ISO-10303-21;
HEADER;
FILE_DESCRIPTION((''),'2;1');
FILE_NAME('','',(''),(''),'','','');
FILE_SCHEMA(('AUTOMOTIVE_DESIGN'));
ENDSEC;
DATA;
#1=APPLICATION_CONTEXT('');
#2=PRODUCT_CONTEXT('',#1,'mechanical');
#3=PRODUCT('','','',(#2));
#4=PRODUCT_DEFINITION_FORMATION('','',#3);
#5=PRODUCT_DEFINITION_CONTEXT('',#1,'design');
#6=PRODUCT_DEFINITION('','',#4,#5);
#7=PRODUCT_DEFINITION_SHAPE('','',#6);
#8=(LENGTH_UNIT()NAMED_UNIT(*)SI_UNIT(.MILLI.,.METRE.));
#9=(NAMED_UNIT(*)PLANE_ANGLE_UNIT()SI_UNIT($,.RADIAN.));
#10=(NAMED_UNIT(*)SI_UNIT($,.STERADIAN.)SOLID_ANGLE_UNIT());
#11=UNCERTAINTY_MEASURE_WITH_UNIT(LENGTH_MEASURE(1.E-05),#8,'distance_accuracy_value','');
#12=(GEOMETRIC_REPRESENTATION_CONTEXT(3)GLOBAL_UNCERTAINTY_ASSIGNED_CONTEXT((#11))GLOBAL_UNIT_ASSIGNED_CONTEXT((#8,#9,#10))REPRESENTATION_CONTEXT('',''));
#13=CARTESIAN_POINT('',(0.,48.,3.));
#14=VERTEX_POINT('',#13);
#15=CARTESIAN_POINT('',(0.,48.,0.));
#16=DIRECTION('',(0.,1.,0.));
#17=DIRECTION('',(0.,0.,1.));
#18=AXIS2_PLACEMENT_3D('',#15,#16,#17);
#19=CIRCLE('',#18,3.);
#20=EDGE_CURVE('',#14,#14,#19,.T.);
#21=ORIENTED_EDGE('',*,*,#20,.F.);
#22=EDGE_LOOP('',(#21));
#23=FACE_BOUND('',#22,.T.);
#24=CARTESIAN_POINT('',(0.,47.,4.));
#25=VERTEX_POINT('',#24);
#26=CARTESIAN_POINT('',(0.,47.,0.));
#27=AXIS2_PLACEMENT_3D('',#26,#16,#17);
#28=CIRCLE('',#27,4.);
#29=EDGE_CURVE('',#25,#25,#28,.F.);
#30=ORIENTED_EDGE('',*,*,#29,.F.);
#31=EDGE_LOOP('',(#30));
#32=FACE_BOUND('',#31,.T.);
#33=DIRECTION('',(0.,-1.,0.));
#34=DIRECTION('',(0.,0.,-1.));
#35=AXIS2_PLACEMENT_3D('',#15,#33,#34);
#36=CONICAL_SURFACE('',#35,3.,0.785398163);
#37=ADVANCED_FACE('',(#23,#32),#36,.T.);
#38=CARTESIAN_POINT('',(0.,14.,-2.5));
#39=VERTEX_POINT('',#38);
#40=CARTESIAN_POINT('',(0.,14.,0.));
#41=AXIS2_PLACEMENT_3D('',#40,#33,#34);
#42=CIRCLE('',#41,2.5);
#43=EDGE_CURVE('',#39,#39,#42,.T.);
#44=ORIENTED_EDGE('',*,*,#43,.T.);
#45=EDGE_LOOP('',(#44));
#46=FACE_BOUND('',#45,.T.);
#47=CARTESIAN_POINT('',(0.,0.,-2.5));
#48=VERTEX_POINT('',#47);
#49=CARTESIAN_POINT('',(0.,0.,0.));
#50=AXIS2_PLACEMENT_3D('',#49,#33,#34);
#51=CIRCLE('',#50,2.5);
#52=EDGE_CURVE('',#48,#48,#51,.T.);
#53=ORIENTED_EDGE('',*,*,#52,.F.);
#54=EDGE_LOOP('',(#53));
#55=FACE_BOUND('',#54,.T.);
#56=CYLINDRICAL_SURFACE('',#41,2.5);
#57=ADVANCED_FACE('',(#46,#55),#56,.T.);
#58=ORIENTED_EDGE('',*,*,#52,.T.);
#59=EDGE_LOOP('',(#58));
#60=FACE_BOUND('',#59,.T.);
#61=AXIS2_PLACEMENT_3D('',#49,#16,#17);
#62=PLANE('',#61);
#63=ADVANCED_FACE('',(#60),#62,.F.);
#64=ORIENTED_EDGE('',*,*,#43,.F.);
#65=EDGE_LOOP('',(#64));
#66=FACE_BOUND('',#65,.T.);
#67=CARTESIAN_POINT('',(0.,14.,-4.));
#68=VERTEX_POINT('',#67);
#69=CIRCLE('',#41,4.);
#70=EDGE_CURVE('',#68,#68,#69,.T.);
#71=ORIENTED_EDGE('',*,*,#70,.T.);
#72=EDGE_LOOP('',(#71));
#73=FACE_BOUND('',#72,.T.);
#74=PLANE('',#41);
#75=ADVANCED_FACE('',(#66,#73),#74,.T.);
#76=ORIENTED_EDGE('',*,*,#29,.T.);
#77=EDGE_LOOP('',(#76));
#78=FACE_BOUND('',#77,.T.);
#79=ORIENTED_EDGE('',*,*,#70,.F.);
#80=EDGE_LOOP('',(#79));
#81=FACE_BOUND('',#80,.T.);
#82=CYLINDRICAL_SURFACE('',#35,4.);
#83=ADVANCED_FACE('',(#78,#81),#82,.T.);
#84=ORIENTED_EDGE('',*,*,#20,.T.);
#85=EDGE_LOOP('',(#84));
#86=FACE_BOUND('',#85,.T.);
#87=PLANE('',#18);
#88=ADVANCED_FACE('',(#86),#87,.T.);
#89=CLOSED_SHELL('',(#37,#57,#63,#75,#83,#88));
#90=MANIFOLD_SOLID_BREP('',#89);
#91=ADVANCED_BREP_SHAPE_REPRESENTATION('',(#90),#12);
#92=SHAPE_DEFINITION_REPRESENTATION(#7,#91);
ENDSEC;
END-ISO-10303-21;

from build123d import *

# Parameters (mm, degrees)
SKETCH1_R           = 4
BOSS_EXTRUDE1_DEPTH = 48
SKETCH2_R           = 4
SKETCH2_R_2         = 2.5
CUT_EXTRUDE1_DEPTH  = 14
CHAMFER1_SIZE       = 1


with BuildPart() as part:
    # Sketch1 → Boss-Extrude1 (new body)
    with BuildSketch(Plane(origin=(0, 0, 0), x_dir=(1, 0, 0), z_dir=(0, 1, 0))):
        with Locations(Location((0, 0, 0), (0, 0, 270))):
            Circle(SKETCH1_R)
    extrude(amount=BOSS_EXTRUDE1_DEPTH)

    # Sketch2 → Cut-Extrude1 (cut)
    with BuildSketch(Plane.XZ):
        with Locations(Location((0, 0, 0), (0, 0, 270))):
            Circle(SKETCH2_R)
        with Locations(Location((0, 0, 0), (0, 0, 270))):
            Circle(SKETCH2_R_2, mode=Mode.SUBTRACT)
    extrude(amount=-CUT_EXTRUDE1_DEPTH, mode=Mode.SUBTRACT)

    # Chamfer1
    chamfer1_edges = [part.edges().sort_by_distance(p)[0] for p in [
        (0, 48, -4),
    ]]
    chamfer(chamfer1_edges, length=CHAMFER1_SIZE)


solid = part.part
